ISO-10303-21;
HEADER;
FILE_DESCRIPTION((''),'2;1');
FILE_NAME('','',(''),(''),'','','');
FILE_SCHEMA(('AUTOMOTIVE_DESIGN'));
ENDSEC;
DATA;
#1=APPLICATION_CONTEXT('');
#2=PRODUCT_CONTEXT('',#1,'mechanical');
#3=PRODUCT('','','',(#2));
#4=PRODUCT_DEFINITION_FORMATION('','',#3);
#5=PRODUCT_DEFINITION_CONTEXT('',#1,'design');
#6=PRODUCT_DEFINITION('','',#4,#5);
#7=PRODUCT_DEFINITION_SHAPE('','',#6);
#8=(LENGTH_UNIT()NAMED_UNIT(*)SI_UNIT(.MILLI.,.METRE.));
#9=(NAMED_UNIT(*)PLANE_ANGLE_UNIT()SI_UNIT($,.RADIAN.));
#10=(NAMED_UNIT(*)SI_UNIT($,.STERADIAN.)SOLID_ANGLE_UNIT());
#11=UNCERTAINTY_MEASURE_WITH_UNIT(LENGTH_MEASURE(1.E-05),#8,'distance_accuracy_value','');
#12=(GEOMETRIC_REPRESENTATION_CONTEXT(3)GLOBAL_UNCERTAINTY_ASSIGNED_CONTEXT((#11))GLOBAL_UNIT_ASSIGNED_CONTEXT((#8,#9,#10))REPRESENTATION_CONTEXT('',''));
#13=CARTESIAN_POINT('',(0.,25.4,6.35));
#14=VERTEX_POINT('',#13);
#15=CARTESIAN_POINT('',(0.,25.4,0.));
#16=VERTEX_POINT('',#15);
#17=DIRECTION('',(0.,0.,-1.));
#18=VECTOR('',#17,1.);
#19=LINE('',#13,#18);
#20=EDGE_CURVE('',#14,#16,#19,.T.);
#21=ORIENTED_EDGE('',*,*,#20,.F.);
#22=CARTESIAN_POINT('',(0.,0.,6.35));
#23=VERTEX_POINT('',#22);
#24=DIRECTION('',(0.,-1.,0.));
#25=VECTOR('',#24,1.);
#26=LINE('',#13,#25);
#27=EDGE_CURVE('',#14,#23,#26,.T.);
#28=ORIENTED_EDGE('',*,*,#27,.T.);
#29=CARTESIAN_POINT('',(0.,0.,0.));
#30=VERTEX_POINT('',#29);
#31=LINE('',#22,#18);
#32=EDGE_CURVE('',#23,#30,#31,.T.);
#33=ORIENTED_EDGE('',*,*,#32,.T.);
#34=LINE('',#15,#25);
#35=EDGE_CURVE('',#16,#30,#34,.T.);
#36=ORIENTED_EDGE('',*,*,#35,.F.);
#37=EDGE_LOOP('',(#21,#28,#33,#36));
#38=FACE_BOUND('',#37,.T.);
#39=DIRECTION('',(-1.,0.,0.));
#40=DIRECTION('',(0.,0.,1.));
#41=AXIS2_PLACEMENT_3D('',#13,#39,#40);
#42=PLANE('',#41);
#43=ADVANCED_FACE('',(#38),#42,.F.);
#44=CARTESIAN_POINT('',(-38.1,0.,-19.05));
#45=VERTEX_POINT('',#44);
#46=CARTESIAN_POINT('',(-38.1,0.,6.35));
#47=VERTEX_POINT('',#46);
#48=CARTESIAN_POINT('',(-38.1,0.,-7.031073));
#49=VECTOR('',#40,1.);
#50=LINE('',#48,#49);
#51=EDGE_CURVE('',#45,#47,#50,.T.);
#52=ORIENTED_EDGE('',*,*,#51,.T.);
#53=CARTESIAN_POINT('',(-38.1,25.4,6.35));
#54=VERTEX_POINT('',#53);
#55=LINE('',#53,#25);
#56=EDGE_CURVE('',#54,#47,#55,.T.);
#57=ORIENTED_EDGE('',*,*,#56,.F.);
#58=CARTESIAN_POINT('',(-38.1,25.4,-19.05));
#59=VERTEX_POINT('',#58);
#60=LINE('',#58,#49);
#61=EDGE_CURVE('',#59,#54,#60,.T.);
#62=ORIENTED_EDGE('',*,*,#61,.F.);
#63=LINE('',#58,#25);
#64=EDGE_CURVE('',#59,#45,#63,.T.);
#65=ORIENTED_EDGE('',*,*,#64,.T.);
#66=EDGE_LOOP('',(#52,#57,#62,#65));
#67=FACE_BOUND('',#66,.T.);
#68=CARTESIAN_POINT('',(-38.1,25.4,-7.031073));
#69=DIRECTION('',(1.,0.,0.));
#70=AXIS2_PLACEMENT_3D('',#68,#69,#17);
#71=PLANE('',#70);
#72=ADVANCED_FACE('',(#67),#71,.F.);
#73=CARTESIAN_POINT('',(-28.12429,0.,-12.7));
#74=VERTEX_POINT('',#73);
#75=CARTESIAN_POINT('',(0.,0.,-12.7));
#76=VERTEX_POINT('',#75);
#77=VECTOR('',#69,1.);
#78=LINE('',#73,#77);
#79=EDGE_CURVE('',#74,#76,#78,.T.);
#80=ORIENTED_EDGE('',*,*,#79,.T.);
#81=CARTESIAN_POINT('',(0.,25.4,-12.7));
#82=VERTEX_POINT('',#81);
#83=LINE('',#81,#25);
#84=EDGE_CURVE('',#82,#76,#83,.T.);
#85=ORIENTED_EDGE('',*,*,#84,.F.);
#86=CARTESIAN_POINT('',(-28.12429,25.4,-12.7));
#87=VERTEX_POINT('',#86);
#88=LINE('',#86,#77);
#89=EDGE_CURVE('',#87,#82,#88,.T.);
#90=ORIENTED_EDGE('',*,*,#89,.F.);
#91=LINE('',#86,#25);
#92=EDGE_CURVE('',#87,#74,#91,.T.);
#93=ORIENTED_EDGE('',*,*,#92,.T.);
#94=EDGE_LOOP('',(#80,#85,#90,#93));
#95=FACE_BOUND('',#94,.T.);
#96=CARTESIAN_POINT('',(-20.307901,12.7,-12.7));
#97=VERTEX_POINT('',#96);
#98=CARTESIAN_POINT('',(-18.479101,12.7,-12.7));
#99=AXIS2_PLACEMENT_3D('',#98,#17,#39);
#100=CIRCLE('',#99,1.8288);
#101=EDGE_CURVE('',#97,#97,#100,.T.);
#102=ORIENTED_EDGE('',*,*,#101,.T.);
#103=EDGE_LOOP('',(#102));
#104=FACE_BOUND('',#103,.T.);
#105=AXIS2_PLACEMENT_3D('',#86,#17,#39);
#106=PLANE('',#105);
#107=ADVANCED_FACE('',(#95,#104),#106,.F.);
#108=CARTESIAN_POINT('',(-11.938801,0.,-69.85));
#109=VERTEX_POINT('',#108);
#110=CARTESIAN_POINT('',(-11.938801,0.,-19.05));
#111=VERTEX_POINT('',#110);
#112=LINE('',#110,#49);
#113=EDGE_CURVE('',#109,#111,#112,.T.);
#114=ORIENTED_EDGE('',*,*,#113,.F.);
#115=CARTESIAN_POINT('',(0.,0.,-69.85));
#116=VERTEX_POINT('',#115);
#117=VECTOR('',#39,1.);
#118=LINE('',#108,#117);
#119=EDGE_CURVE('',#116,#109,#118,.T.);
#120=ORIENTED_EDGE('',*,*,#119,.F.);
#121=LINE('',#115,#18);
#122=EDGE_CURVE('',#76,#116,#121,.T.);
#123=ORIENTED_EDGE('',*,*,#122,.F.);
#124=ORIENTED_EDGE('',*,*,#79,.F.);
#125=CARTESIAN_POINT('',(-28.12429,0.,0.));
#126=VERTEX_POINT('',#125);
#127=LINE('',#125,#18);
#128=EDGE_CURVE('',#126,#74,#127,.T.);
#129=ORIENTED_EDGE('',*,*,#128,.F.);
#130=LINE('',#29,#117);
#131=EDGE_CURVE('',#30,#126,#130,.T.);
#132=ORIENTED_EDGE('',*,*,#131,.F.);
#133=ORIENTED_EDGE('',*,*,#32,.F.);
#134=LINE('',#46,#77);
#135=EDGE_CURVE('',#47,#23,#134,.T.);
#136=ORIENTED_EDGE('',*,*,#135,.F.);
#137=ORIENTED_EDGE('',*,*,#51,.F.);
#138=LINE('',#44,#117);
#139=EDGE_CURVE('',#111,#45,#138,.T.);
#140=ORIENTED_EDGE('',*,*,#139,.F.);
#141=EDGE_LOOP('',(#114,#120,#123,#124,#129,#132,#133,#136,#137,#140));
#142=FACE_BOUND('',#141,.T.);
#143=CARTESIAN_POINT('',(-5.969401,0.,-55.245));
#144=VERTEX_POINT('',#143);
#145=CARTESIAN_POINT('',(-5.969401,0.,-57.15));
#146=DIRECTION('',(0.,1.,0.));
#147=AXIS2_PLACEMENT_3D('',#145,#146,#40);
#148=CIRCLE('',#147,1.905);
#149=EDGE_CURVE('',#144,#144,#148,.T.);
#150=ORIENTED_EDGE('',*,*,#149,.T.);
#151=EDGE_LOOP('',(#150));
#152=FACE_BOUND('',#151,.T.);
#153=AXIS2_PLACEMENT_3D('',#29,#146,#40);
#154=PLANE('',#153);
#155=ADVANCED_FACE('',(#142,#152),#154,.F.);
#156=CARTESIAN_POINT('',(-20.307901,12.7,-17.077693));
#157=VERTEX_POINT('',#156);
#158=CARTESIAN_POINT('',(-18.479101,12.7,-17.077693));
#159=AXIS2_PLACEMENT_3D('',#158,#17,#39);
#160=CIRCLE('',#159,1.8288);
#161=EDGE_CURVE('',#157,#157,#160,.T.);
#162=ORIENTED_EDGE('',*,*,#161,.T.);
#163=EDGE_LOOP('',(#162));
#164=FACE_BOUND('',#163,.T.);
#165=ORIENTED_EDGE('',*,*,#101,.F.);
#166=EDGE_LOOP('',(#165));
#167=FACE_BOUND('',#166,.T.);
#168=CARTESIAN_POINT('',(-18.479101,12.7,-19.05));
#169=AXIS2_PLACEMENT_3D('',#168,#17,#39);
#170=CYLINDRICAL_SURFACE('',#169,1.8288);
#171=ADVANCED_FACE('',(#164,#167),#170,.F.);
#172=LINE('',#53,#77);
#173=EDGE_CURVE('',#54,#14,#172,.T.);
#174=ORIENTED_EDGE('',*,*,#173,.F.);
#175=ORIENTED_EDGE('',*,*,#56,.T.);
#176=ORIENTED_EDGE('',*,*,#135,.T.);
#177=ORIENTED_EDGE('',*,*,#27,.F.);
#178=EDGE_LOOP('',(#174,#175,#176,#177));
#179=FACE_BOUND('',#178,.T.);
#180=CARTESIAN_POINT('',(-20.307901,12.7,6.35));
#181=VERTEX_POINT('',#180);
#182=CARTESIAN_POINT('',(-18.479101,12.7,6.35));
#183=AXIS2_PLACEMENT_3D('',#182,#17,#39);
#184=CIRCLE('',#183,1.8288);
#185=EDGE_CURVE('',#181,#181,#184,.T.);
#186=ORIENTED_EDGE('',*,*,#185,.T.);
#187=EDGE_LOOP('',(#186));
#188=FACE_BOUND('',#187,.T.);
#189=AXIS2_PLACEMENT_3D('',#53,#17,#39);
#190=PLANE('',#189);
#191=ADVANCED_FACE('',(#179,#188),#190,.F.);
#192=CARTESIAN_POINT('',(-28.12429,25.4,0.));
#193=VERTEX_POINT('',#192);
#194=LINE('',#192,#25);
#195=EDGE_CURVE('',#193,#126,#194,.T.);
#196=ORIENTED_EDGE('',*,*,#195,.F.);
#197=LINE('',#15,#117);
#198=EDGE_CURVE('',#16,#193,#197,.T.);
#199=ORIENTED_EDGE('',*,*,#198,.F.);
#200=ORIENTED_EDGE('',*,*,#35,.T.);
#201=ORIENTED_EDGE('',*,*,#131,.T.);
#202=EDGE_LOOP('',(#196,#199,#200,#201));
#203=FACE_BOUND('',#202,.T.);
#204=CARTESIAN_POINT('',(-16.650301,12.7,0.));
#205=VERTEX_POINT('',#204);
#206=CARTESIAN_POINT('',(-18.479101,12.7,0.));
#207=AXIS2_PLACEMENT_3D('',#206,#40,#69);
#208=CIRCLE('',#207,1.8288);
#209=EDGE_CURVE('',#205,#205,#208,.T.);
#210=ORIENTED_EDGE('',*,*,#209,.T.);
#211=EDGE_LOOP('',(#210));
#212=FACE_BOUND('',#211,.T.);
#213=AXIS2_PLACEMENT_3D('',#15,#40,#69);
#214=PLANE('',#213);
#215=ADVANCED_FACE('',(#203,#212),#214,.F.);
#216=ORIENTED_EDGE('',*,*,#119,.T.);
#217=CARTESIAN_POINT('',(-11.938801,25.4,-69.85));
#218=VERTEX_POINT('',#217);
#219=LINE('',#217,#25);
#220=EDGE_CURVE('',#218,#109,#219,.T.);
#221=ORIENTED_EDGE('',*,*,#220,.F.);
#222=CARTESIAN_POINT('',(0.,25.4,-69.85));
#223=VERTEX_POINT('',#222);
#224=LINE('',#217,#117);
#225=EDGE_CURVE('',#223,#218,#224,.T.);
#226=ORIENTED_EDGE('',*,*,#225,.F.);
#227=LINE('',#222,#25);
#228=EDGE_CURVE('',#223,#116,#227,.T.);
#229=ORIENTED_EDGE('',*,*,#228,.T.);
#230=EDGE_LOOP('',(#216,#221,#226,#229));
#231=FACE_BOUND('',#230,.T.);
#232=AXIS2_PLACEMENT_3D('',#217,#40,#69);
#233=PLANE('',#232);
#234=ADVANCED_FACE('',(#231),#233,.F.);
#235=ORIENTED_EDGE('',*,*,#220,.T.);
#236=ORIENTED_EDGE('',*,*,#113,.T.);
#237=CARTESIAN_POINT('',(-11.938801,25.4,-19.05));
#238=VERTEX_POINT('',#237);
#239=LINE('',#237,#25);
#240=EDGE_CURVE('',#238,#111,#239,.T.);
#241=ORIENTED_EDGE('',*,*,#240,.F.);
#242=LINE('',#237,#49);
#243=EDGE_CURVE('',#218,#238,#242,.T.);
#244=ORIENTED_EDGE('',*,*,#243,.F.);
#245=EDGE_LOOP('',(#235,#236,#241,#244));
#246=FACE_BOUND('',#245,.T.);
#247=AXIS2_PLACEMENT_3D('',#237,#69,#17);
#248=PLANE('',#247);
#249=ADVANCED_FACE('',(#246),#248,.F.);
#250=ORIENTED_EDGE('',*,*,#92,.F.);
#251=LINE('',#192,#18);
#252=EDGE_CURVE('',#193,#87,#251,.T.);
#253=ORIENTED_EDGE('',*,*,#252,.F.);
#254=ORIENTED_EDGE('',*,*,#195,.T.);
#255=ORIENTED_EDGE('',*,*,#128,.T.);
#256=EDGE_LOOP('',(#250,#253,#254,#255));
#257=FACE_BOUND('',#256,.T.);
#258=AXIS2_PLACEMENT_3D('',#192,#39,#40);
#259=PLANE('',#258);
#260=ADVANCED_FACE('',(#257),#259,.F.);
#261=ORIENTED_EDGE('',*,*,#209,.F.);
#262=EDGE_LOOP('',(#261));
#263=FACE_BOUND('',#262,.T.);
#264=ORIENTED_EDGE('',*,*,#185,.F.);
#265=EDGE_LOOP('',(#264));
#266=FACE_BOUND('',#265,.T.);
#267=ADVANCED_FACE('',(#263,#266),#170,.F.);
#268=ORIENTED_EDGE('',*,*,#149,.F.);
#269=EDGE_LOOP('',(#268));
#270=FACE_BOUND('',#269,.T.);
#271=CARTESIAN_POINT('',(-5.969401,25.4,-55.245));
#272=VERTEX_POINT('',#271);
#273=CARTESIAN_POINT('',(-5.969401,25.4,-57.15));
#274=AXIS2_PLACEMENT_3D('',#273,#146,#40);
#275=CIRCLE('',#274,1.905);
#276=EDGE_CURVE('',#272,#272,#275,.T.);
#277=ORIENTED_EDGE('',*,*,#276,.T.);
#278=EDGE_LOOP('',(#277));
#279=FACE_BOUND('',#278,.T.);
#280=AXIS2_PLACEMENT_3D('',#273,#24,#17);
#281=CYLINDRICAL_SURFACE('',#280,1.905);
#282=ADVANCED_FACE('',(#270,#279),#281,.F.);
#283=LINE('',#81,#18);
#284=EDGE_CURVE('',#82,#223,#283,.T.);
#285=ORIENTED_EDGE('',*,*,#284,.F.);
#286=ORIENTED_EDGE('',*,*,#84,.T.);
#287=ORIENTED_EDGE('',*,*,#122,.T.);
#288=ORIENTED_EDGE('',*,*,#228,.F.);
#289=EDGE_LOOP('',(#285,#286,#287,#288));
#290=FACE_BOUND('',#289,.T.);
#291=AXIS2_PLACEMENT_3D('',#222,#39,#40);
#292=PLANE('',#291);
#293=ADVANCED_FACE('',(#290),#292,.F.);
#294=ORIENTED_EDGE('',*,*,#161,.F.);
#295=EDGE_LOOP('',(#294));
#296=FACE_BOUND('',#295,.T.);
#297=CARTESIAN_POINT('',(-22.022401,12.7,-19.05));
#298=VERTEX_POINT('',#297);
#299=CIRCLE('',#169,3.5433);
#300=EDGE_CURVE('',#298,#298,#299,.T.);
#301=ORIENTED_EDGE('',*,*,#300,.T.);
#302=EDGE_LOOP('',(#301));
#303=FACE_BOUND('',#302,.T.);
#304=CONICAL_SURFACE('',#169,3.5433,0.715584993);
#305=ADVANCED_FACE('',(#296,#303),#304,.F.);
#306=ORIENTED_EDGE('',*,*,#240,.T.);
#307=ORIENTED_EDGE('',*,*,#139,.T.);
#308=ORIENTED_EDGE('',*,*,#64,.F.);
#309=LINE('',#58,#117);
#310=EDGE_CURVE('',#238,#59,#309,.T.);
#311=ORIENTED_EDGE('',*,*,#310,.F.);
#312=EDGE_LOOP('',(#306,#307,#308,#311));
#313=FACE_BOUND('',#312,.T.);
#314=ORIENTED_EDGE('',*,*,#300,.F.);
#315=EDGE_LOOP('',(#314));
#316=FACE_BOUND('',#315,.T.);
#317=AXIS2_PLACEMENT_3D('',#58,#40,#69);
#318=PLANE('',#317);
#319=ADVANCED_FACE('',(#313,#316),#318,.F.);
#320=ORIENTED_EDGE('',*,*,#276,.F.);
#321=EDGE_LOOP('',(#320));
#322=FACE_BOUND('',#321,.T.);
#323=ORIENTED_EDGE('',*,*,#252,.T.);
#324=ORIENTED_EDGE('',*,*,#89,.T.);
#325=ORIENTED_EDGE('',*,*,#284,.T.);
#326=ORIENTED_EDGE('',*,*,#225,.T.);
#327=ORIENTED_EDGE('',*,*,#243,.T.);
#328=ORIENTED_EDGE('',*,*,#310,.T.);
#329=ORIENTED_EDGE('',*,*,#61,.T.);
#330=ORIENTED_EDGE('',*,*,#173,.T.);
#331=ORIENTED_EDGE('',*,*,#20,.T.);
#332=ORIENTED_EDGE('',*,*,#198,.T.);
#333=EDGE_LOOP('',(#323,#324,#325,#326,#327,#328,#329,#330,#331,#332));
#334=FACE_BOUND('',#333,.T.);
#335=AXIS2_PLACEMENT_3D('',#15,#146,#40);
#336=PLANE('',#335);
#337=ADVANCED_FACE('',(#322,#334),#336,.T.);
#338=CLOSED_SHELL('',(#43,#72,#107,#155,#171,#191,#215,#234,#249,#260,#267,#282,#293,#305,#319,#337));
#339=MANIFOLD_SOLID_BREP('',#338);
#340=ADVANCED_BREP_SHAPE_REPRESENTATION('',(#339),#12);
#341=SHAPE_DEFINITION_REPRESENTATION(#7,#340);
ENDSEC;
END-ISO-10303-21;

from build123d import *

# Parameters (mm, degrees)
SKETCH1_R                                      = 1.905
BOSS_EXTRUDE2_DEPTH                            = 25.4
CSK_FOR_6_OVAL_HEAD_MACHINE_SCREW1_D           = 3.6576
CSK_FOR_6_OVAL_HEAD_MACHINE_SCREW1_CSINK_D     = 7.0866
CSK_FOR_6_OVAL_HEAD_MACHINE_SCREW1_CSINK_ANGLE = 82


with BuildPart() as part:
    # Sketch1 → Boss-Extrude2 (new body)
    with BuildSketch(Plane(origin=(0, 0, 0), x_dir=(1, 0, 0), z_dir=(0, 1, 0))):
        Polygon((0, 0), (-28.124290221, 0), (-28.124290221, 12.7), (0, 12.7), (0, 19.05), (0, 69.85), (-11.938801262, 69.85), (-11.938801262, 19.05), (-38.1, 19.05), (-38.1, 7.031072555), (-38.1, -6.35), (0, -6.35), align=None)
        with Locations(Location((-5.969400631, 57.15, 0), (0, 0, 270))):
            Circle(SKETCH1_R, mode=Mode.SUBTRACT)
    extrude(amount=BOSS_EXTRUDE2_DEPTH)

    # CSK for #6 Oval Head Machine Screw1 (through all)
    with Locations(Plane(origin=(0, 0, -19.05), x_dir=(-1, 0, 0), z_dir=(0, 0, -1))):
        with Locations((18.479100946, 12.7)):
            CounterSinkHole(CSK_FOR_6_OVAL_HEAD_MACHINE_SCREW1_D / 2, CSK_FOR_6_OVAL_HEAD_MACHINE_SCREW1_CSINK_D / 2, counter_sink_angle=CSK_FOR_6_OVAL_HEAD_MACHINE_SCREW1_CSINK_ANGLE)


solid = part.part
